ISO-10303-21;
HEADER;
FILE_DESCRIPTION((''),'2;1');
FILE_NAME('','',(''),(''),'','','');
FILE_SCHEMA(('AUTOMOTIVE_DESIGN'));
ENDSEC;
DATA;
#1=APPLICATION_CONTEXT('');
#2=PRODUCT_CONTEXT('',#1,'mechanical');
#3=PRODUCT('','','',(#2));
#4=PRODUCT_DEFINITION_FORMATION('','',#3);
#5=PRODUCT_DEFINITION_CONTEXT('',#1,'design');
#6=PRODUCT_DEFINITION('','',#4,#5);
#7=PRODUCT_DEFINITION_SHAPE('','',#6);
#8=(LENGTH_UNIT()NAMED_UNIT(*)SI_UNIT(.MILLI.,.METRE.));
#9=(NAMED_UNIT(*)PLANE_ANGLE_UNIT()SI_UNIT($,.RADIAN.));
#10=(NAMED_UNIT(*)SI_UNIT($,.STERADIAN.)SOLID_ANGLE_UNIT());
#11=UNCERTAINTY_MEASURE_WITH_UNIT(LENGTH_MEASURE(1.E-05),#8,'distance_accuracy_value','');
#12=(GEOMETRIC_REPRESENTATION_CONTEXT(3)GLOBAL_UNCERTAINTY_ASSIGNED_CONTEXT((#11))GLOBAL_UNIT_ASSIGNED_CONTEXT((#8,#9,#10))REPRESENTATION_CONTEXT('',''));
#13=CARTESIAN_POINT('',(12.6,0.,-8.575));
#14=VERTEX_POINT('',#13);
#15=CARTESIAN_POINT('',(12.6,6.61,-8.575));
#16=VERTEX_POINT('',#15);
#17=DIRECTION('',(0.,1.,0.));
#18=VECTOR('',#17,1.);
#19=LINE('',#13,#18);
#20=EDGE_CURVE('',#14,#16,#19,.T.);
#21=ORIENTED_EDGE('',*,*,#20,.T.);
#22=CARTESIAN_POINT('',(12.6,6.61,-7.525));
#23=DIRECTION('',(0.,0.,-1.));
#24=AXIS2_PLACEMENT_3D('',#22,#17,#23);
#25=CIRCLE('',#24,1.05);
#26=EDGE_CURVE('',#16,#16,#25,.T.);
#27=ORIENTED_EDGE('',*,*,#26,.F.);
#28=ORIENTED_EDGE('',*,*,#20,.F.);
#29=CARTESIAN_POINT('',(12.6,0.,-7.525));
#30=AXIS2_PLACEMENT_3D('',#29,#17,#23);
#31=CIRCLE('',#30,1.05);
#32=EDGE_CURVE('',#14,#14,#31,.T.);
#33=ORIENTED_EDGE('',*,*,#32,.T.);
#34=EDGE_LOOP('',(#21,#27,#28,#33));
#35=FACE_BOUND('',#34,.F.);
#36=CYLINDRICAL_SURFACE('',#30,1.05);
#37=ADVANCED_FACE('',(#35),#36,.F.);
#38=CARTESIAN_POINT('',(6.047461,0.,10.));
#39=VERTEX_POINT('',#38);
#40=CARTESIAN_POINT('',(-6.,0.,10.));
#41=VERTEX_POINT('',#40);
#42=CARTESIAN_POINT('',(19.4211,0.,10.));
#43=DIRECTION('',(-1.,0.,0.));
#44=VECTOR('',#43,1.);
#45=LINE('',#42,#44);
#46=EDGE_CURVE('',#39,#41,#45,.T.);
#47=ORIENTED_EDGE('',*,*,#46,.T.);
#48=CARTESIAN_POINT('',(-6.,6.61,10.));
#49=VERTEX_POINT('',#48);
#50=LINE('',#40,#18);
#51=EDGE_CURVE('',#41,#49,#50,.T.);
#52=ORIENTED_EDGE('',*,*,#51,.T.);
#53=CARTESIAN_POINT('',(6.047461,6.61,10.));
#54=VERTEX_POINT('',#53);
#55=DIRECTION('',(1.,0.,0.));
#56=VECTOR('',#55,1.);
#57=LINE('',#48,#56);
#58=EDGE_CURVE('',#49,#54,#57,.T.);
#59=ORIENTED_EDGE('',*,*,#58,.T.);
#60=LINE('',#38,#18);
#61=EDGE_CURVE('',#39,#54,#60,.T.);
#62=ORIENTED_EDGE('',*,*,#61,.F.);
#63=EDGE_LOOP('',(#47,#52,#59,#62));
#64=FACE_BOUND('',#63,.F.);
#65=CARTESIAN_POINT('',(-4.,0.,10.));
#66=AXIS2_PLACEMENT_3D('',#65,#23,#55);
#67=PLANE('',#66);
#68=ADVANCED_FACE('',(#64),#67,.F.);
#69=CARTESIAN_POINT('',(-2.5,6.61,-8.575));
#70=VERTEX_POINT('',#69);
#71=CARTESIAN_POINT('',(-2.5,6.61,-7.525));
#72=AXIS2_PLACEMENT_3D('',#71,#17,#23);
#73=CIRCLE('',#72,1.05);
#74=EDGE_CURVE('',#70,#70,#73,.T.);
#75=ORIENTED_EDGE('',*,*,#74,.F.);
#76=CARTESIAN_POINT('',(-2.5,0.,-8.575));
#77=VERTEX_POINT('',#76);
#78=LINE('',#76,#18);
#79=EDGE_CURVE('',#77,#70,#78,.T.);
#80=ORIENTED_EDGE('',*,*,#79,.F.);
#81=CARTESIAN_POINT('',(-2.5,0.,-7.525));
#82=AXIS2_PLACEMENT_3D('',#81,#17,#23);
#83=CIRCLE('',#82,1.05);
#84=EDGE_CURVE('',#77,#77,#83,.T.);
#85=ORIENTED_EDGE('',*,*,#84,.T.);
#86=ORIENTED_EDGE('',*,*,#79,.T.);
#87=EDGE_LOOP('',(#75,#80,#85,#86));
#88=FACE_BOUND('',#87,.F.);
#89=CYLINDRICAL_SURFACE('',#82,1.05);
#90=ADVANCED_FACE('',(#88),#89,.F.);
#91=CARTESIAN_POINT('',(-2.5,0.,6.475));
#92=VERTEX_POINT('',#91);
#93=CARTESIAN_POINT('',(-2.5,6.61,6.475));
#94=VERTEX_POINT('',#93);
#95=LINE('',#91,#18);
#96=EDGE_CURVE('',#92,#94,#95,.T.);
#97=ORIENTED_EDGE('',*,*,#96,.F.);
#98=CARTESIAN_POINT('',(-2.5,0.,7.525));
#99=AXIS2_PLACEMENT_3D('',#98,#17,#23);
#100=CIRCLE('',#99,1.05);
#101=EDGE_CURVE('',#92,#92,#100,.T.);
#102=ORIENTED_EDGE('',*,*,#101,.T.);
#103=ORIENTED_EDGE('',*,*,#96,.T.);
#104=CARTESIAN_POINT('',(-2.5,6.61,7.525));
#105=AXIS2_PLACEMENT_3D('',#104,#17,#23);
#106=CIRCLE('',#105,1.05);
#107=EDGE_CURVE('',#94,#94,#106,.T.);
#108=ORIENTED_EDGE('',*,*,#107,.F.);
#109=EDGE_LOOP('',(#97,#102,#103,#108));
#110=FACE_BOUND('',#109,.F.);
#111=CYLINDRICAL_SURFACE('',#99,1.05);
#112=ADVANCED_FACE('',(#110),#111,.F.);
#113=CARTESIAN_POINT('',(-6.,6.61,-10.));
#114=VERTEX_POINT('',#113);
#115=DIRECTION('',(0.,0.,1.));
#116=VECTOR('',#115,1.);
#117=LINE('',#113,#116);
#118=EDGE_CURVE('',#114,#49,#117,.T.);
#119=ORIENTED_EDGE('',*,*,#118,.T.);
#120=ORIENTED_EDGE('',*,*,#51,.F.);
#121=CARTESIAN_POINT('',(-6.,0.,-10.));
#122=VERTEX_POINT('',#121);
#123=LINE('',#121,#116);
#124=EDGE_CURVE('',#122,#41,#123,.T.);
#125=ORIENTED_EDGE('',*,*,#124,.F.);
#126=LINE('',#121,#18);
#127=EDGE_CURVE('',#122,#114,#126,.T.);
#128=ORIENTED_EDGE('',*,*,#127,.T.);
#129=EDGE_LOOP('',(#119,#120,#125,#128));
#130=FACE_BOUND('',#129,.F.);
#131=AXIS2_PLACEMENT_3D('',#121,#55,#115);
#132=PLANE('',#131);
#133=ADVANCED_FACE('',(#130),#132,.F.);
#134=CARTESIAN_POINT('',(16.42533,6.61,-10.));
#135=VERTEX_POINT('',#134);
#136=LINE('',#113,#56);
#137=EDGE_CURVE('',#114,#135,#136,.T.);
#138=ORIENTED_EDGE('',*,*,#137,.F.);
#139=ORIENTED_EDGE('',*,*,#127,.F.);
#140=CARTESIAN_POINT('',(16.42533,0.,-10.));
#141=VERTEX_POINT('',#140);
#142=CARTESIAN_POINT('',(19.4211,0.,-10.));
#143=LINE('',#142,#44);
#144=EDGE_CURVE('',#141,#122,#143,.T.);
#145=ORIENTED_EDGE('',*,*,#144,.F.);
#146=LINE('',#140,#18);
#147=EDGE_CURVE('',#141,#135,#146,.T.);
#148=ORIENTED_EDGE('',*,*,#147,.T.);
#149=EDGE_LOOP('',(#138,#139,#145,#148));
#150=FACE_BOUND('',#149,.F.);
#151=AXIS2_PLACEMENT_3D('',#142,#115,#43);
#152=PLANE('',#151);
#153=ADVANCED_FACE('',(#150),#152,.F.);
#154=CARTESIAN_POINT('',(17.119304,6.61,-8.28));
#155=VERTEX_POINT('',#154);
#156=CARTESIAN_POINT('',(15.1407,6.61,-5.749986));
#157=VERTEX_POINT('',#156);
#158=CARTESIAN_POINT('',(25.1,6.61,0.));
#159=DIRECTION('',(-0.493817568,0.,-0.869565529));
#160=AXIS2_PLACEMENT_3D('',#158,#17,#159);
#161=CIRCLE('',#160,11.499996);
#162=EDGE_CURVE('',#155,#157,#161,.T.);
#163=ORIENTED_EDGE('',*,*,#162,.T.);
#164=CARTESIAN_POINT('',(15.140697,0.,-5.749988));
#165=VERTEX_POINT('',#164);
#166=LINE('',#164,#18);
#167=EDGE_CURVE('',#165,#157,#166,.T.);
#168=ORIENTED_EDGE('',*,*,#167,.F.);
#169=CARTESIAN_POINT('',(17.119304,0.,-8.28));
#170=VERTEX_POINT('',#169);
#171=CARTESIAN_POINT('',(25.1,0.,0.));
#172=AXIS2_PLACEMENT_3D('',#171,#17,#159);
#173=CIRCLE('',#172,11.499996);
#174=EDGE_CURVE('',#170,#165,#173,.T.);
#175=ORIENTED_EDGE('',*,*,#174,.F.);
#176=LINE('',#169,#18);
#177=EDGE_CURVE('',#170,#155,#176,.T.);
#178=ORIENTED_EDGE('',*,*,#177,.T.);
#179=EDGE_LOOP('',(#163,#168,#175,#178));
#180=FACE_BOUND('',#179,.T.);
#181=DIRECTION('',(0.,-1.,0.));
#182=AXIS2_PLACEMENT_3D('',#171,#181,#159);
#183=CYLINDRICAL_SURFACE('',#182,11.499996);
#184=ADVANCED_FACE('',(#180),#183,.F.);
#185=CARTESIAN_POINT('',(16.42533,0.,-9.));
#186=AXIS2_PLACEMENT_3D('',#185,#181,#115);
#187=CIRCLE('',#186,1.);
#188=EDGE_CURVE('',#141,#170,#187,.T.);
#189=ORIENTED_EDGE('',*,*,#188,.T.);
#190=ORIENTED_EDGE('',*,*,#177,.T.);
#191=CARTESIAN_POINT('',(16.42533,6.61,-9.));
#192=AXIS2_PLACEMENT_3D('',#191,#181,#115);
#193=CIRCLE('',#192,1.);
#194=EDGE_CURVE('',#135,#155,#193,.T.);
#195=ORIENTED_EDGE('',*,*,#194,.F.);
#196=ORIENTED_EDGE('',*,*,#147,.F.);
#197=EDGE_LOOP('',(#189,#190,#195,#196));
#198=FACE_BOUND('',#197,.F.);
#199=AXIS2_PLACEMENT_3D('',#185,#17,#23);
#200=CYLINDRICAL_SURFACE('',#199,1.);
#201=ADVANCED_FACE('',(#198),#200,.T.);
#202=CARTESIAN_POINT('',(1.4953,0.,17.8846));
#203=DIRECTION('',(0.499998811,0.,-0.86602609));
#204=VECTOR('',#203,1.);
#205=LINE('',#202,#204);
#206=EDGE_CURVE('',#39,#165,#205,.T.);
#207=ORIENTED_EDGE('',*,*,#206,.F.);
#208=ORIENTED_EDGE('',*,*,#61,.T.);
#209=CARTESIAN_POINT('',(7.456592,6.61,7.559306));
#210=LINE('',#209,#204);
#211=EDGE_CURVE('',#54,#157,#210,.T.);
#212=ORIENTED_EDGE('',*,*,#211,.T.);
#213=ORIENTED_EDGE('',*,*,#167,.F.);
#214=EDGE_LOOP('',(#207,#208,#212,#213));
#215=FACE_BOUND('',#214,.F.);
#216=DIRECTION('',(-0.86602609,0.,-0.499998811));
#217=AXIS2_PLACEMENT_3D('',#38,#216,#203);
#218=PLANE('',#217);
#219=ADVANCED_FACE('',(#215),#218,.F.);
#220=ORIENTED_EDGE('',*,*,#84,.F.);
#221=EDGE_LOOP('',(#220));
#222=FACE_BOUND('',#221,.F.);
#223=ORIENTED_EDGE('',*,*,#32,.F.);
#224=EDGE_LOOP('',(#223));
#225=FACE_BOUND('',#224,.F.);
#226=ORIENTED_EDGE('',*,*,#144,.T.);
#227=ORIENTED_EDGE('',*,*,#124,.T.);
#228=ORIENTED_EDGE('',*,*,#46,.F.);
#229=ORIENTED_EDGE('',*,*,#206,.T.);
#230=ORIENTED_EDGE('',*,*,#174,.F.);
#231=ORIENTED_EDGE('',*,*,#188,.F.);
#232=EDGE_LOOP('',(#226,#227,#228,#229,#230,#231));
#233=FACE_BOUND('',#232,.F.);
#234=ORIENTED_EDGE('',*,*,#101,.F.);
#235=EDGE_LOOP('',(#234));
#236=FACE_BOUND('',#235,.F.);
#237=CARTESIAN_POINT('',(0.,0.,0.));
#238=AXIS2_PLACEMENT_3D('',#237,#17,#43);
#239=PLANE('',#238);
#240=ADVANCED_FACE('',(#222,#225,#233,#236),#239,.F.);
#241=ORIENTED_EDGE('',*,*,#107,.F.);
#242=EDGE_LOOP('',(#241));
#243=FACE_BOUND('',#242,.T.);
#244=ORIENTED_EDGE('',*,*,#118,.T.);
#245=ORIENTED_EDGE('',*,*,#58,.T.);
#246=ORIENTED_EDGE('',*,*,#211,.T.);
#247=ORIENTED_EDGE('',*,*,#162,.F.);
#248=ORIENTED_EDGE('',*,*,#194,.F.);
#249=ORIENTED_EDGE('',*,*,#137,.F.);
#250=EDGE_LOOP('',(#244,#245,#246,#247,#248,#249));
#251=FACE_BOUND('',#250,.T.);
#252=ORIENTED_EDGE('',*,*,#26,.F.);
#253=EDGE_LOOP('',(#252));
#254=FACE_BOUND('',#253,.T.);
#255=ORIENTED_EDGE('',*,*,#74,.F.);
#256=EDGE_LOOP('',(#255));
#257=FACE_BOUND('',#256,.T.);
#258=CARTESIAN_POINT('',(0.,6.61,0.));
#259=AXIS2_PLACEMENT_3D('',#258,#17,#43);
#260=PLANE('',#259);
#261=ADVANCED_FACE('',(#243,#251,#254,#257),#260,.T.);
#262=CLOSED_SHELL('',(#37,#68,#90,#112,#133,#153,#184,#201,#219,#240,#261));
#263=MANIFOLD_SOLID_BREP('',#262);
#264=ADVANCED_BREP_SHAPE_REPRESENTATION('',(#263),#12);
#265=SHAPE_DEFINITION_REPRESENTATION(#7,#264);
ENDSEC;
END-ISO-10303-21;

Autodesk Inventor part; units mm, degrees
ref_plane "YZ Plane" through (0, 0, 0) normal (1, 0, 0) x (0, 1, 0)
ref_plane "XZ Plane" through (0, 0, 0) normal (0, 1, 0) x (-1, 0, 0)
ref_plane "XY Plane" through (0, 0, 0) normal (0, 0, 1) x (1, 0, 0)
sketch "Sketch1" plane through (0, 0, 0) normal (0, 1, 0) x (-1, 0, 0)
  line L0 (4, 10) -> (-19.4211, 10)
  line L1 (-19.4211, -10) -> (4, -10)
  line L2 (4, -10) -> (4, 10)
  arc A0 (-19.4211, -10) -> (-19.4211, 10) centre (-25.1, 0) ccw
  line L3 (4, -10) -> (6, -10)
  line L4 (6, -10) -> (6, 10)
  line L5 (6, 10) -> (4, 10)
  line L6 (4, 10) -> (4, -10)
  point P0 (0, 0)
  dimension "d0" = 20
  dimension "d2" = 4
  dimension "d3" = 10
  dimension "d6" = 10
  dimension "d7" = 23
  dimension "d8" = 29.1
  dimension "d11" = 23.4211
  dimension "d12" = 20
  dimension "d13" = 2
extrude "Extrusion1" add sketch "Sketch1" along normal blind 6.61
fillet "Fillet1" radius 1 2 edges at (19.4211, 3.305, -10) (19.4211, 3.305, 10)
sketch "Sketch3" plane through (0, 0, 0) normal (0, -1, 0) x (1, 0, 0)
  circle A0 centre (-2.5, -7.525) radius 1.05
  circle A1 centre (12.6, -7.525) radius 1.05
  circle A2 centre (12.6, 7.525) radius 1.05
  circle A3 centre (-2.5, 7.525) radius 1.05
  point P0 (0, 0)
hole "Hole2" at (-2.5, 0, -7.525) at (-2.5, 0, 7.525) at (12.6, 0, 7.525) at (12.6, 0, -7.525) direction (0, 1, 0) diameter 2.1 end through all
sketch "Sketch4" plane through (0, 0, 0) normal (0, -1, 0) x (1, 0, 0)
  line L0 (1.4953, 17.8846) -> (19.0725, -12.5601)
  arc A0 (17.1193, 8.28) -> (17.1193, -8.28) centre (25.1, 0) ccw projected
  arc A1 (17.1193, 8.28) -> (16.4253, 10) centre (16.4253, 9) ccw projected
  line L1 (-6, 10) -> (16.4253, 10) projected
  point P0 (0, 0)
  point P1 (6.0474, 10)
  point P2 (15.1407, -5.75)
  dimension "d29" = 60
extrude "Extrusion2" cut sketch "Sketch4" against normal up to next
properties part number "3D_printed_part"
